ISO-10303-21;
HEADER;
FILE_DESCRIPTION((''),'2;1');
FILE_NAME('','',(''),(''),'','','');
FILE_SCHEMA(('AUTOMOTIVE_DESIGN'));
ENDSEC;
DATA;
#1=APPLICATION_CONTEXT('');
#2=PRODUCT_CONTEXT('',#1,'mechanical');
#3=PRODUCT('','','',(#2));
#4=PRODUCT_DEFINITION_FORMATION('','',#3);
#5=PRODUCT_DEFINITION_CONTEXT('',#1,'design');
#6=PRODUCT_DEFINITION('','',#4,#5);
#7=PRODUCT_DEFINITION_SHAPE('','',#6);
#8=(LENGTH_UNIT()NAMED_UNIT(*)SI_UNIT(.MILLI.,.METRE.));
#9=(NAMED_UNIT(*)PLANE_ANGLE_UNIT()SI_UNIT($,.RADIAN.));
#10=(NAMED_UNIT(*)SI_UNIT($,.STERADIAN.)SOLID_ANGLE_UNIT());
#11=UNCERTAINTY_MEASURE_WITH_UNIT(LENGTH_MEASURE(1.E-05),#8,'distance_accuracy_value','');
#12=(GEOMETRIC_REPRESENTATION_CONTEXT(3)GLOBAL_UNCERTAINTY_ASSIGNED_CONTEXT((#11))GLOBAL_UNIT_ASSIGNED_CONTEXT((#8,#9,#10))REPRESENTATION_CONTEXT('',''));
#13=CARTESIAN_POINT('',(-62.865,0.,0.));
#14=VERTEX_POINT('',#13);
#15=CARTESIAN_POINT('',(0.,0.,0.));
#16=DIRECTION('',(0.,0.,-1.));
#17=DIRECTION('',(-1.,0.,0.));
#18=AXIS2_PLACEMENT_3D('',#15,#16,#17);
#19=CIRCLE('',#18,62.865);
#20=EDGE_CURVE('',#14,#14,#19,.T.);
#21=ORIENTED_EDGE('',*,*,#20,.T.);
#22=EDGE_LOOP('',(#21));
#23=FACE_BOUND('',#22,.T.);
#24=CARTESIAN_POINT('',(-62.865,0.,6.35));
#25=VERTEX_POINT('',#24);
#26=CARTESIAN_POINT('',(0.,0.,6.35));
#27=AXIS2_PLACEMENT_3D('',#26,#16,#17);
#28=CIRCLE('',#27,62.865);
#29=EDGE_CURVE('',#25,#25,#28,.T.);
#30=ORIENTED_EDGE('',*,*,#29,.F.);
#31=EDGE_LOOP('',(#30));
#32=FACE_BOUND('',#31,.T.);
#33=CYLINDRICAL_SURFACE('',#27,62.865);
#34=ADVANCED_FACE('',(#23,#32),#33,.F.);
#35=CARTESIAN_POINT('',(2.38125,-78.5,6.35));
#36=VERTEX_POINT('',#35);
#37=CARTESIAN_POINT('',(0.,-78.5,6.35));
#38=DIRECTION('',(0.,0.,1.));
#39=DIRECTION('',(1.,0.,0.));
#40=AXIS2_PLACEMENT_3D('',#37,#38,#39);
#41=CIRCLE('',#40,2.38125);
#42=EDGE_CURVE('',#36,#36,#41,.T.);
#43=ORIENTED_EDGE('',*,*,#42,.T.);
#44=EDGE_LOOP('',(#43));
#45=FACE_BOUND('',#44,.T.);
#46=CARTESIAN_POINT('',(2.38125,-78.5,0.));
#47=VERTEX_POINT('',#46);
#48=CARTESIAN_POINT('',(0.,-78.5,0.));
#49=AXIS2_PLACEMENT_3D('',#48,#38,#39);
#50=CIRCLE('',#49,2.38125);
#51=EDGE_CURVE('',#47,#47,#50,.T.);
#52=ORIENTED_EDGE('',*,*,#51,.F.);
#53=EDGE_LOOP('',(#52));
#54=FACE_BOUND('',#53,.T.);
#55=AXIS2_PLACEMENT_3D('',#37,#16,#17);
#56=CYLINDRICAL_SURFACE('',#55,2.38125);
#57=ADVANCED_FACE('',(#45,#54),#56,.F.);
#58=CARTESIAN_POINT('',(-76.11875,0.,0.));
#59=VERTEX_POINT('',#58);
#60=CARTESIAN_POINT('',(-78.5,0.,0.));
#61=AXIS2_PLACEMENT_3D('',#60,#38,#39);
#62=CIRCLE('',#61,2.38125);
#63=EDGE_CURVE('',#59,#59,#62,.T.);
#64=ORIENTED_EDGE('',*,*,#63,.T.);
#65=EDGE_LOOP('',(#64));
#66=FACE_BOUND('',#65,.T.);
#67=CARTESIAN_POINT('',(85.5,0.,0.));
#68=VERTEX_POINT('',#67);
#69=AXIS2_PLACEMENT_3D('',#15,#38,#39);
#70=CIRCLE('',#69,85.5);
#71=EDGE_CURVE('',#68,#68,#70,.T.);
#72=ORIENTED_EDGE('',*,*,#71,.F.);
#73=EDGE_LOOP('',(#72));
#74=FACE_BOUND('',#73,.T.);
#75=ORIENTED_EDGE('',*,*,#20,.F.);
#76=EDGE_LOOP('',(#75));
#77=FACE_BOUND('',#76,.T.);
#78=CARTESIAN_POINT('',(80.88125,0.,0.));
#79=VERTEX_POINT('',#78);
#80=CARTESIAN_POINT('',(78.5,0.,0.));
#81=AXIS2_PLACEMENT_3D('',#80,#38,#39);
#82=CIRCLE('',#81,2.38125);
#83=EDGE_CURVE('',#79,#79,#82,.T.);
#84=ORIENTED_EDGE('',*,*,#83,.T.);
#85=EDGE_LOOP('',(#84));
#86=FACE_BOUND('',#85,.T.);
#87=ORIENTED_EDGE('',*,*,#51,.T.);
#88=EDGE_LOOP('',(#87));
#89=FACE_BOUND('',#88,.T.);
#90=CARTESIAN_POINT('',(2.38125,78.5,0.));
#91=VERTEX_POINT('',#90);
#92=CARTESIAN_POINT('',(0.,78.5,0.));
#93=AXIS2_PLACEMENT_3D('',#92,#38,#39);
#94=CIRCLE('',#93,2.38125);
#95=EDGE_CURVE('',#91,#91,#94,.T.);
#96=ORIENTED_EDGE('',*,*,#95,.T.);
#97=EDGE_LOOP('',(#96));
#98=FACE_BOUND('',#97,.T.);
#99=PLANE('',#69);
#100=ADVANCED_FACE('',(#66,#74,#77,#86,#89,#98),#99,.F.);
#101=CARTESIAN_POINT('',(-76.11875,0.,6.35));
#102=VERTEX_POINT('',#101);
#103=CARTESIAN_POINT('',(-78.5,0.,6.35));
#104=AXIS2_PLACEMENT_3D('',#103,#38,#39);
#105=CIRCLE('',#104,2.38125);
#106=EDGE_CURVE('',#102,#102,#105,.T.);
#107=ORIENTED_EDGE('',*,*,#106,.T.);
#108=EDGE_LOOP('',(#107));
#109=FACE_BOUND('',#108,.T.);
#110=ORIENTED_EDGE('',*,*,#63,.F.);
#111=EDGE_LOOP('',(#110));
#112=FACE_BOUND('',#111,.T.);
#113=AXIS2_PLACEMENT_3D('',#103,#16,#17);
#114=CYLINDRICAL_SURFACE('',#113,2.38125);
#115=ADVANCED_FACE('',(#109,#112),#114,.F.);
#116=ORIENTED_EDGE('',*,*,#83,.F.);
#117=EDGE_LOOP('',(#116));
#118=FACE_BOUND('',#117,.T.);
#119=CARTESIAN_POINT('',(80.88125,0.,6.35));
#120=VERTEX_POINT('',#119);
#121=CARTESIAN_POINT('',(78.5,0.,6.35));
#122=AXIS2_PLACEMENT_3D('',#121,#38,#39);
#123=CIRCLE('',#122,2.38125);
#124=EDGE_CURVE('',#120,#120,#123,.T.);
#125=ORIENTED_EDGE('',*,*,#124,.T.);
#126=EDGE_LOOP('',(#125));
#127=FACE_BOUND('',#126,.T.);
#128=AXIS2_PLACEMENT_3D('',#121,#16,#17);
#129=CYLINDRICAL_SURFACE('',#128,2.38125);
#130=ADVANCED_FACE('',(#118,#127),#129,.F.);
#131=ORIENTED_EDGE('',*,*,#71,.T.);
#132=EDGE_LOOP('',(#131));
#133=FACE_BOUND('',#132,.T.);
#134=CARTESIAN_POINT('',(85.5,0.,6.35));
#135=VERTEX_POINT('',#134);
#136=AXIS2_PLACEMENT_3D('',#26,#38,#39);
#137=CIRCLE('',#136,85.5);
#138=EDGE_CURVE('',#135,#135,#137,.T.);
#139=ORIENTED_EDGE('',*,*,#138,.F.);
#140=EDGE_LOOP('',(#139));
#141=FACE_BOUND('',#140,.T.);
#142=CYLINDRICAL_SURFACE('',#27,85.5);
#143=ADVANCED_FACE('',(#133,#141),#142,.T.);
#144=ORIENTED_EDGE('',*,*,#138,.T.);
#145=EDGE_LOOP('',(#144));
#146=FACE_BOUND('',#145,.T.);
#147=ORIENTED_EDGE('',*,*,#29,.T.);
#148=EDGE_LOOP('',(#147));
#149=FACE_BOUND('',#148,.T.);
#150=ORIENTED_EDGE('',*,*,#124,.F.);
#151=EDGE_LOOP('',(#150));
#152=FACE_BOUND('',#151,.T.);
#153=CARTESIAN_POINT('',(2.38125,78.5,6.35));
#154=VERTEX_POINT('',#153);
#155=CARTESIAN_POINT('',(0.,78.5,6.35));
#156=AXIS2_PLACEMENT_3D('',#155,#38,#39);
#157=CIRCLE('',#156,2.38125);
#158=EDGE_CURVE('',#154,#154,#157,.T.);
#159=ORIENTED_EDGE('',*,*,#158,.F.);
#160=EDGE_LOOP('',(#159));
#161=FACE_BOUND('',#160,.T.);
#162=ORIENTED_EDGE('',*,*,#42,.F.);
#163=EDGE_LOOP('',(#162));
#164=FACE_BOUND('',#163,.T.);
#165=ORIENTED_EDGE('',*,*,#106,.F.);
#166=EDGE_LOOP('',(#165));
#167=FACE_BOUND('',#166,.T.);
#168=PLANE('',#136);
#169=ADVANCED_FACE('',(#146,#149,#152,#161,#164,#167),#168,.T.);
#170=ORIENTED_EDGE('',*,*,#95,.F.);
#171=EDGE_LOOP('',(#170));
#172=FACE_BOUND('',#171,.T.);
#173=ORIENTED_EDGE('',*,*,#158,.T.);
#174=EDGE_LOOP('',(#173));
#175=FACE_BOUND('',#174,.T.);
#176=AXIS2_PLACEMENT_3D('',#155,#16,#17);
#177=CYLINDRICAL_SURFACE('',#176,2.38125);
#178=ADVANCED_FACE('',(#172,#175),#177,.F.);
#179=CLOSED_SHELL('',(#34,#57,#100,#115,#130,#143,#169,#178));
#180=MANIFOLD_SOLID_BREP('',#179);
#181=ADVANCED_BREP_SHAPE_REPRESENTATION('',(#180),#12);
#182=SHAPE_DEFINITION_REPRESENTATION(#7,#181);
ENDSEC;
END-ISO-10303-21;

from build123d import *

# Parameters (mm, degrees)
SKETCH1_R           = 85.5
SKETCH1_R_2         = 2.38125
BOSS_EXTRUDE1_DEPTH = 6.35
SKETCH6_R           = 62.865
CUT_EXTRUDE3_DEPTH  = 122.081883451


with BuildPart() as part:
    # Sketch1 → Boss-Extrude1 (new body)
    with BuildSketch(Plane.XY):
        Circle(SKETCH1_R)
        with Locations((0, 78.499999972)):
            Circle(SKETCH1_R_2, mode=Mode.SUBTRACT)
        with Locations((78.5, 0)):
            Circle(SKETCH1_R_2, mode=Mode.SUBTRACT)
        with Locations((2.8e-08, -78.5)):
            Circle(SKETCH1_R_2, mode=Mode.SUBTRACT)
        with Locations((-78.499999972, -2.8e-08)):
            Circle(SKETCH1_R_2, mode=Mode.SUBTRACT)
    extrude(amount=BOSS_EXTRUDE1_DEPTH)

    # Sketch6 → Cut-Extrude3 (cut, through all)
    with BuildSketch(Plane(origin=(0, 0, 0), x_dir=(-1, 0, 0), z_dir=(0, 0, -1))):
        Circle(SKETCH6_R)
    extrude(amount=-CUT_EXTRUDE3_DEPTH, mode=Mode.SUBTRACT)


solid = part.part
